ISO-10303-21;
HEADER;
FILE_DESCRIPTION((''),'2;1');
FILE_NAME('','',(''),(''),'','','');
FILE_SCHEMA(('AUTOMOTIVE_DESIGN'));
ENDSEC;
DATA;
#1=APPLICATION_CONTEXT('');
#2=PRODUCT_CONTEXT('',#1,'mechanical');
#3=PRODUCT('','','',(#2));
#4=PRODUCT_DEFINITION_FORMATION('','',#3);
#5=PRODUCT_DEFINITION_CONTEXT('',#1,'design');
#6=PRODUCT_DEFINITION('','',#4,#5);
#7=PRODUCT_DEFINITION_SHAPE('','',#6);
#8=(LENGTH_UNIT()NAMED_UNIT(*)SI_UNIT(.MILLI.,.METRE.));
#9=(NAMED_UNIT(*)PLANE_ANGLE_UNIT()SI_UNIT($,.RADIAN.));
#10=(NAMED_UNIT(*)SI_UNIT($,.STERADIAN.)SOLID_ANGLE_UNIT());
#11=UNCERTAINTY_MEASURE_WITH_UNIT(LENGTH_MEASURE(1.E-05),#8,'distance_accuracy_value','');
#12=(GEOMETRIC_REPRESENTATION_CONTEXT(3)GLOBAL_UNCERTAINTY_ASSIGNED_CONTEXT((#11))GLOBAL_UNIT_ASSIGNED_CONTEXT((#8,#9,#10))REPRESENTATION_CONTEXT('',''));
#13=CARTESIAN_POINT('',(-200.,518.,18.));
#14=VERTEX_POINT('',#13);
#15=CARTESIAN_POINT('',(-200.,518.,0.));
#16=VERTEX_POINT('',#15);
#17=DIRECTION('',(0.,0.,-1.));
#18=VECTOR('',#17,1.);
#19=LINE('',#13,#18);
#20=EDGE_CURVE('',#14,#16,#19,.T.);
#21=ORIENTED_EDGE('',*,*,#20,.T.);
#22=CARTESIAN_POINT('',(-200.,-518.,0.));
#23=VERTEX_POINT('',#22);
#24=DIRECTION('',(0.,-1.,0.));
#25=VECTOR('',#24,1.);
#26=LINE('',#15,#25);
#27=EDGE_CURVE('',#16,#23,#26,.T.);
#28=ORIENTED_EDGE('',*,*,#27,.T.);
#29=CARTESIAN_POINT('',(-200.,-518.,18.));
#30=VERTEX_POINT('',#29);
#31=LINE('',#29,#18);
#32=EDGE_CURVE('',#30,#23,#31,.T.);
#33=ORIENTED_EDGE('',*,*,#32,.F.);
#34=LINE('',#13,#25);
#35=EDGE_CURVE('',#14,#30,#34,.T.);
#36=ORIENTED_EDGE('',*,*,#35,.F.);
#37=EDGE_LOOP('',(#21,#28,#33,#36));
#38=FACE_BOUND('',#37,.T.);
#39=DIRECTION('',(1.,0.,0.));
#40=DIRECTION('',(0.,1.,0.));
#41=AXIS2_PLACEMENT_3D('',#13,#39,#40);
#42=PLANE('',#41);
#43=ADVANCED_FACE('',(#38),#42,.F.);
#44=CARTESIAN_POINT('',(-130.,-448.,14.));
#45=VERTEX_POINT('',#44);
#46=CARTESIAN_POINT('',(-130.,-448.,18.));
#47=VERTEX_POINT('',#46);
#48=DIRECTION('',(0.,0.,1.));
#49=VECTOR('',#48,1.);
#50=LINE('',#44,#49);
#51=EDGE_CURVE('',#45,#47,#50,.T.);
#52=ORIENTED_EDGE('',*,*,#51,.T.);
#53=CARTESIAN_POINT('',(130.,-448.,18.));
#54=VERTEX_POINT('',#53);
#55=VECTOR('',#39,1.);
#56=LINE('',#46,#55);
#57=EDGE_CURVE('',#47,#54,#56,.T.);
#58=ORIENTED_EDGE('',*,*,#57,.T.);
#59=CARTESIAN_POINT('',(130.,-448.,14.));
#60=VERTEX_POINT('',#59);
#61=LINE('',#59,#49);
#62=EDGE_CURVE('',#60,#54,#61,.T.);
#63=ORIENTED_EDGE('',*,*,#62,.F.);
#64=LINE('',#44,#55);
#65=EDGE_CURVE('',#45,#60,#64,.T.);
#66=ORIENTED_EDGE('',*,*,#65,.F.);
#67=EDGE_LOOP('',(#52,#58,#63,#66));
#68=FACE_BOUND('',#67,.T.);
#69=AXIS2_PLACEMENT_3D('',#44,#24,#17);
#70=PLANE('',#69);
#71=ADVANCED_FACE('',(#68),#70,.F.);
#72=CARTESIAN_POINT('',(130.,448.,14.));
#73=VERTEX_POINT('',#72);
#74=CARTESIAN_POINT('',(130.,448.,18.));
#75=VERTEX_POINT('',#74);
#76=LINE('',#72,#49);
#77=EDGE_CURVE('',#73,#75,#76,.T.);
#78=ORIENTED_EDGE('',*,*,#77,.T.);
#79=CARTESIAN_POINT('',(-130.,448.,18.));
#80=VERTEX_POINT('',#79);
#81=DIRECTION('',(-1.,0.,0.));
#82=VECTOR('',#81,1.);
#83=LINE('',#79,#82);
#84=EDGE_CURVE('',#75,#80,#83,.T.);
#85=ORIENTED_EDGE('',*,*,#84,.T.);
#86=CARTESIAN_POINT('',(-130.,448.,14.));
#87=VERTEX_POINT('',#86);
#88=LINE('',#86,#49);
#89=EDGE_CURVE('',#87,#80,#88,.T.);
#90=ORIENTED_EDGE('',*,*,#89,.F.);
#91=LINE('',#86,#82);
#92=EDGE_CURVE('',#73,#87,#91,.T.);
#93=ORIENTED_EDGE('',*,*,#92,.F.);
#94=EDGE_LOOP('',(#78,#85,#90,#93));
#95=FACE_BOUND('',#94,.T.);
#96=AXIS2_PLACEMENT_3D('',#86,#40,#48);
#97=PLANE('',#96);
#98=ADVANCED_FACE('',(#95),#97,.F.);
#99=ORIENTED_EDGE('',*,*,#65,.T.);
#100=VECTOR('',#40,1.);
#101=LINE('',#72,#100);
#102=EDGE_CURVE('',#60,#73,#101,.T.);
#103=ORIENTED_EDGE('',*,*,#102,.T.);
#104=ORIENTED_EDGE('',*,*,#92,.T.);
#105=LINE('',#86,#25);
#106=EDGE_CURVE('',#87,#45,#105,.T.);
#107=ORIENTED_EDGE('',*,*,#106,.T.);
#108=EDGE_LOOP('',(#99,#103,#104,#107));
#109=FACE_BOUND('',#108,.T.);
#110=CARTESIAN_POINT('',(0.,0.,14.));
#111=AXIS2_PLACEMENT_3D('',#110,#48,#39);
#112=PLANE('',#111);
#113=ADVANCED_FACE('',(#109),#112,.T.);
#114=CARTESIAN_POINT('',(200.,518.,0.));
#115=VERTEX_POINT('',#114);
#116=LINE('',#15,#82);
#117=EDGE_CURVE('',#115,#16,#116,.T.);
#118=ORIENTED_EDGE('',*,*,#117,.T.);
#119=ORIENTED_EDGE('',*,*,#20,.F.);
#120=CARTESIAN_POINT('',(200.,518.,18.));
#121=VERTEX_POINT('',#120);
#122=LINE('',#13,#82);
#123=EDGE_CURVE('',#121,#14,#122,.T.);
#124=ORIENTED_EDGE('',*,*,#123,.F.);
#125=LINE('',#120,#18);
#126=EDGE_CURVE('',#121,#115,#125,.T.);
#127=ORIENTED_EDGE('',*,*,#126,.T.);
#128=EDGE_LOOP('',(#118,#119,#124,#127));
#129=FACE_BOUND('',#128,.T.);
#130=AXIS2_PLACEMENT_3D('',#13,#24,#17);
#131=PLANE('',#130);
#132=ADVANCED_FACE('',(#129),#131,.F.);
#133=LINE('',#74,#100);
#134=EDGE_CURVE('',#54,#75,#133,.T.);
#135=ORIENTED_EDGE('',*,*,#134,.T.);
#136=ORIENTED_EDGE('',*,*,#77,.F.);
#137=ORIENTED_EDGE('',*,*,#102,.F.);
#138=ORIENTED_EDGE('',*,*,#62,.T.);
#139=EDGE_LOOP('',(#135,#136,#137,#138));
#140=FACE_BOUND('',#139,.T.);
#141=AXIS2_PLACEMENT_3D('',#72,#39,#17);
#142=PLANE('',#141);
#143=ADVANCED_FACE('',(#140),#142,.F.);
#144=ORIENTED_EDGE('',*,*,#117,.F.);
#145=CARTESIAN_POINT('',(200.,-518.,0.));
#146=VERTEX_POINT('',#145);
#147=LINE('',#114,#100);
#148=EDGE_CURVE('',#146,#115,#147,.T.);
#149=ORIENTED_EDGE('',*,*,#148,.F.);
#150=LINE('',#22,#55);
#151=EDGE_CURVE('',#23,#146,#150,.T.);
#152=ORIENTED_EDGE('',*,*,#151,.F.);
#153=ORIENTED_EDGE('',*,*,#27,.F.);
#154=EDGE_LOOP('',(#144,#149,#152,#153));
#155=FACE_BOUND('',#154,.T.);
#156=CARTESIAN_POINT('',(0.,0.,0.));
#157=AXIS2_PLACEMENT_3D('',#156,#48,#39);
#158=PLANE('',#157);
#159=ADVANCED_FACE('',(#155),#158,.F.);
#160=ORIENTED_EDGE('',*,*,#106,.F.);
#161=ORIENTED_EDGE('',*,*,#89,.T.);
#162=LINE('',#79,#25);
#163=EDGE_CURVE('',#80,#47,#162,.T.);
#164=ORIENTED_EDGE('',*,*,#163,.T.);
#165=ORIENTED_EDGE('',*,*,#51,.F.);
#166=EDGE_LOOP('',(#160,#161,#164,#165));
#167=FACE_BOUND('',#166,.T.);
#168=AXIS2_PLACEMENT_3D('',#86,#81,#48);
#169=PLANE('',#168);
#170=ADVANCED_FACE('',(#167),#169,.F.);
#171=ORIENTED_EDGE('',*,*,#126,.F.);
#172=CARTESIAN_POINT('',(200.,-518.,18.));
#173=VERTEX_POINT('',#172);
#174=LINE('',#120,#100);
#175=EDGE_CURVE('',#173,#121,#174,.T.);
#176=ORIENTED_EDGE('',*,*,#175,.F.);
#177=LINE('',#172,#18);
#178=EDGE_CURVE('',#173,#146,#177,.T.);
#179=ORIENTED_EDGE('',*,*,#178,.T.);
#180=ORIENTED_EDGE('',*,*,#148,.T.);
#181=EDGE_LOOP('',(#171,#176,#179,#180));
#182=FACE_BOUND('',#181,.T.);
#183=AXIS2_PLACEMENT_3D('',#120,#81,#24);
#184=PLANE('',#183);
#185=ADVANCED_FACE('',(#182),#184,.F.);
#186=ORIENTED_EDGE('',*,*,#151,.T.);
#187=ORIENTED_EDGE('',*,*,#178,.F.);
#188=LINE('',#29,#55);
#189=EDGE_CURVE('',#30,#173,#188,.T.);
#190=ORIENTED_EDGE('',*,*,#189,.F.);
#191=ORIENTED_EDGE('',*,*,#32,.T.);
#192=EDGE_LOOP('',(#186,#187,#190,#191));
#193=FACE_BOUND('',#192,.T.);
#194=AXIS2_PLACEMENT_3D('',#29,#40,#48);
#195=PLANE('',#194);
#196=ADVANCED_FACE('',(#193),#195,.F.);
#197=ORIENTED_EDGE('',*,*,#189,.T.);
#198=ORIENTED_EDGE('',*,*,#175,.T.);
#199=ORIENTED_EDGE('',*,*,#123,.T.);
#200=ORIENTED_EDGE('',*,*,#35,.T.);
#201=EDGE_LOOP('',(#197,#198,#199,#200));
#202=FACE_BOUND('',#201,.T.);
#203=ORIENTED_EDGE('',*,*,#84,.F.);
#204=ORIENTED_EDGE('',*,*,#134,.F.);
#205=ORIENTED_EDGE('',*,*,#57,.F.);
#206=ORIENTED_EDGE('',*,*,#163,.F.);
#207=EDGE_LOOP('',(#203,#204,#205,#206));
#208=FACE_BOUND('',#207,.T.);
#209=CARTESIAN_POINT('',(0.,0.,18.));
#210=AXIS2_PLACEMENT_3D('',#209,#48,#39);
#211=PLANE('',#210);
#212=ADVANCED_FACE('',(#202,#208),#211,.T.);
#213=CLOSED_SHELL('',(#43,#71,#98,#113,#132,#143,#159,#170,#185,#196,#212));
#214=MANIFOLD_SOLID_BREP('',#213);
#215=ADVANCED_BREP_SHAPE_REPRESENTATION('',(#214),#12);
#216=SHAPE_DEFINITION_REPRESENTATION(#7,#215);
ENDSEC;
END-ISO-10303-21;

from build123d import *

# Parameters (mm, degrees)
SKETCH1_W           = 400
SKETCH1_H           = 1036
BOSS_EXTRUDE1_DEPTH = 18
SKETCH2_W           = 260
SKETCH2_H           = 896
CUT_EXTRUDE1_DEPTH  = 4


with BuildPart() as part:
    # Sketch1 → Boss-Extrude1 (new body)
    with BuildSketch(Plane.XY):
        Rectangle(SKETCH1_W, SKETCH1_H)
    extrude(amount=BOSS_EXTRUDE1_DEPTH)

    # Sketch2 → Cut-Extrude1 (cut)
    with BuildSketch(Plane.XY.offset(18)):
        Rectangle(SKETCH2_W, SKETCH2_H)
    extrude(amount=-CUT_EXTRUDE1_DEPTH, mode=Mode.SUBTRACT)


solid = part.part
